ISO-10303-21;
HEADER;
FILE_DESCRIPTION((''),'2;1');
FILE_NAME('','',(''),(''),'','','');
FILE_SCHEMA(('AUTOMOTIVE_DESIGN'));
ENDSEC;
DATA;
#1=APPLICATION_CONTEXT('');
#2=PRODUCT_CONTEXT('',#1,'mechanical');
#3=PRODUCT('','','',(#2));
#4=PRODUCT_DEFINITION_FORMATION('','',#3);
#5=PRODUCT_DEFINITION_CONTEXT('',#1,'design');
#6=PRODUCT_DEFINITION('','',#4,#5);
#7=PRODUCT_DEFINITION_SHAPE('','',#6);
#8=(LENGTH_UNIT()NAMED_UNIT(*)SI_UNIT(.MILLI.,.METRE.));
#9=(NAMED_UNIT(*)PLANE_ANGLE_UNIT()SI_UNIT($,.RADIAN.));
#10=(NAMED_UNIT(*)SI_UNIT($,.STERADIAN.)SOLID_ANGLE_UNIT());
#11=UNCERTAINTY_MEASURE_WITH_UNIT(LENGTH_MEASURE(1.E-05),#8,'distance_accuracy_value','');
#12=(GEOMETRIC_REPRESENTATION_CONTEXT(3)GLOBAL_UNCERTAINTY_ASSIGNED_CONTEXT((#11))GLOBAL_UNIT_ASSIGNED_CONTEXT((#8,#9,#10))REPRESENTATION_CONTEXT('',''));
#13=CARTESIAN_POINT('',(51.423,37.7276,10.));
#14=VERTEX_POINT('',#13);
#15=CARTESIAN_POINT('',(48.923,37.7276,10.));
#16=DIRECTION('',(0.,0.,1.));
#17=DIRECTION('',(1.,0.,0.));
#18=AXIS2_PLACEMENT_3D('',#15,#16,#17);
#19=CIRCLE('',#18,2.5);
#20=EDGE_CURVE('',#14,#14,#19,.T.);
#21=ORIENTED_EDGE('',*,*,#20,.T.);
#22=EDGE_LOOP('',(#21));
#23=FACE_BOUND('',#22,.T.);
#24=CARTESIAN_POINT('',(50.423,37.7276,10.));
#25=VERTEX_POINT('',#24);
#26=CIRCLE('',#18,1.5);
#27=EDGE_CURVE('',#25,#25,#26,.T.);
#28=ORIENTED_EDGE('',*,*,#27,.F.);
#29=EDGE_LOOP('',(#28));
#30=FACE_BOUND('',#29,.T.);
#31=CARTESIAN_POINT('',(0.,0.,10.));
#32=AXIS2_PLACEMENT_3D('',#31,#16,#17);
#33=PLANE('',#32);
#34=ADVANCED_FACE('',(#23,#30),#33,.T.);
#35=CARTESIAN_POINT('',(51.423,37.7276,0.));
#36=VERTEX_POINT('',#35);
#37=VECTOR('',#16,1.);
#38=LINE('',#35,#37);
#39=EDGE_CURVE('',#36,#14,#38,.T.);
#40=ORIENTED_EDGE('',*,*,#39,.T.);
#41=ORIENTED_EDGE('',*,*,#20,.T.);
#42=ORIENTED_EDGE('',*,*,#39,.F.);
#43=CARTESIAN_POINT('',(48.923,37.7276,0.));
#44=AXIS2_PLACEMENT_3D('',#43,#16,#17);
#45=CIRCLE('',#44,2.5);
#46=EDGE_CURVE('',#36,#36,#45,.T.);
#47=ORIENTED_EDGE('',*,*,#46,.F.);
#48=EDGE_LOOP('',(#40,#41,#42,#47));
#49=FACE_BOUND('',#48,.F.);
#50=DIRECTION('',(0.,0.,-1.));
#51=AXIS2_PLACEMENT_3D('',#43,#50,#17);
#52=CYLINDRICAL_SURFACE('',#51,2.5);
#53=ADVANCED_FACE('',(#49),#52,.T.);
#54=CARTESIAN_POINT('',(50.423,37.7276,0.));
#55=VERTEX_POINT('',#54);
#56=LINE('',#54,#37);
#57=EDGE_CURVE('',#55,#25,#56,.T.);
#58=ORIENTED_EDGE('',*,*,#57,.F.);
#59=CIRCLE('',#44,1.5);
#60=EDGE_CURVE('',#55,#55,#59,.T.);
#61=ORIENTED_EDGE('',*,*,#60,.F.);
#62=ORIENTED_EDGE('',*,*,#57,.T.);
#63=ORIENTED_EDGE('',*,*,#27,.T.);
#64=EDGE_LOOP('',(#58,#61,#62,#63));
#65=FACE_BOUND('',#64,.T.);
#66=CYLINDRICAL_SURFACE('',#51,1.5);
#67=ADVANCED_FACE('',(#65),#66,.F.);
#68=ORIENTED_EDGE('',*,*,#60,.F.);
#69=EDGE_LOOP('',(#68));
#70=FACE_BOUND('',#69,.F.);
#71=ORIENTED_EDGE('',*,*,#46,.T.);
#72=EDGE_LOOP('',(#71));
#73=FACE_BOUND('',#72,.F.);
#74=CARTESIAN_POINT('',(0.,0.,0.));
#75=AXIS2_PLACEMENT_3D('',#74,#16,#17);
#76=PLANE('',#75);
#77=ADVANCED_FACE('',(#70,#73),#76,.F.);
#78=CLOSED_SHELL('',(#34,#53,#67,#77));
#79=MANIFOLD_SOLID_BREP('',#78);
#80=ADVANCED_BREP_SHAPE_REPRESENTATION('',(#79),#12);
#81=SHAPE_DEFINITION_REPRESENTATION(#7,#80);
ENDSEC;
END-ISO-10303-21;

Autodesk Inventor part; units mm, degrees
ref_plane "YZ Plane" through (0, 0, 0) normal (1, 0, 0) x (0, 1, 0)
ref_plane "XZ Plane" through (0, 0, 0) normal (0, 1, 0) x (-1, 0, 0)
ref_plane "XY Plane" through (0, 0, 0) normal (0, 0, 1) x (1, 0, 0)
sketch "Sketch1" plane through (0, 0, 0) normal (0, 0, 1) x (1, 0, 0)
  circle A0 centre (48.923, 37.7276) radius 1.5 projected
  circle A1 centre (48.923, -37.7276) radius 1.5 projected
  circle A2 centre (83.923, -37.7276) radius 1.5 projected
  circle A3 centre (83.923, 37.7276) radius 1.5 projected
  circle A4 centre (48.923, 37.7276) radius 2.5
  circle A5 centre (83.923, 37.7276) radius 2.5
  circle A6 centre (48.923, -37.7276) radius 2.5
  circle A7 centre (83.923, -37.7276) radius 2.5
  point P0 (0, 0)
  dimension "d0" = 5
  dimension "d1" = 5
  dimension "d2" = 5
  dimension "d3" = 5
extrude "Extrusion1" add sketch "Sketch1" along normal blind 10 contours A4
properties part number "esp_spacer_fixed"
